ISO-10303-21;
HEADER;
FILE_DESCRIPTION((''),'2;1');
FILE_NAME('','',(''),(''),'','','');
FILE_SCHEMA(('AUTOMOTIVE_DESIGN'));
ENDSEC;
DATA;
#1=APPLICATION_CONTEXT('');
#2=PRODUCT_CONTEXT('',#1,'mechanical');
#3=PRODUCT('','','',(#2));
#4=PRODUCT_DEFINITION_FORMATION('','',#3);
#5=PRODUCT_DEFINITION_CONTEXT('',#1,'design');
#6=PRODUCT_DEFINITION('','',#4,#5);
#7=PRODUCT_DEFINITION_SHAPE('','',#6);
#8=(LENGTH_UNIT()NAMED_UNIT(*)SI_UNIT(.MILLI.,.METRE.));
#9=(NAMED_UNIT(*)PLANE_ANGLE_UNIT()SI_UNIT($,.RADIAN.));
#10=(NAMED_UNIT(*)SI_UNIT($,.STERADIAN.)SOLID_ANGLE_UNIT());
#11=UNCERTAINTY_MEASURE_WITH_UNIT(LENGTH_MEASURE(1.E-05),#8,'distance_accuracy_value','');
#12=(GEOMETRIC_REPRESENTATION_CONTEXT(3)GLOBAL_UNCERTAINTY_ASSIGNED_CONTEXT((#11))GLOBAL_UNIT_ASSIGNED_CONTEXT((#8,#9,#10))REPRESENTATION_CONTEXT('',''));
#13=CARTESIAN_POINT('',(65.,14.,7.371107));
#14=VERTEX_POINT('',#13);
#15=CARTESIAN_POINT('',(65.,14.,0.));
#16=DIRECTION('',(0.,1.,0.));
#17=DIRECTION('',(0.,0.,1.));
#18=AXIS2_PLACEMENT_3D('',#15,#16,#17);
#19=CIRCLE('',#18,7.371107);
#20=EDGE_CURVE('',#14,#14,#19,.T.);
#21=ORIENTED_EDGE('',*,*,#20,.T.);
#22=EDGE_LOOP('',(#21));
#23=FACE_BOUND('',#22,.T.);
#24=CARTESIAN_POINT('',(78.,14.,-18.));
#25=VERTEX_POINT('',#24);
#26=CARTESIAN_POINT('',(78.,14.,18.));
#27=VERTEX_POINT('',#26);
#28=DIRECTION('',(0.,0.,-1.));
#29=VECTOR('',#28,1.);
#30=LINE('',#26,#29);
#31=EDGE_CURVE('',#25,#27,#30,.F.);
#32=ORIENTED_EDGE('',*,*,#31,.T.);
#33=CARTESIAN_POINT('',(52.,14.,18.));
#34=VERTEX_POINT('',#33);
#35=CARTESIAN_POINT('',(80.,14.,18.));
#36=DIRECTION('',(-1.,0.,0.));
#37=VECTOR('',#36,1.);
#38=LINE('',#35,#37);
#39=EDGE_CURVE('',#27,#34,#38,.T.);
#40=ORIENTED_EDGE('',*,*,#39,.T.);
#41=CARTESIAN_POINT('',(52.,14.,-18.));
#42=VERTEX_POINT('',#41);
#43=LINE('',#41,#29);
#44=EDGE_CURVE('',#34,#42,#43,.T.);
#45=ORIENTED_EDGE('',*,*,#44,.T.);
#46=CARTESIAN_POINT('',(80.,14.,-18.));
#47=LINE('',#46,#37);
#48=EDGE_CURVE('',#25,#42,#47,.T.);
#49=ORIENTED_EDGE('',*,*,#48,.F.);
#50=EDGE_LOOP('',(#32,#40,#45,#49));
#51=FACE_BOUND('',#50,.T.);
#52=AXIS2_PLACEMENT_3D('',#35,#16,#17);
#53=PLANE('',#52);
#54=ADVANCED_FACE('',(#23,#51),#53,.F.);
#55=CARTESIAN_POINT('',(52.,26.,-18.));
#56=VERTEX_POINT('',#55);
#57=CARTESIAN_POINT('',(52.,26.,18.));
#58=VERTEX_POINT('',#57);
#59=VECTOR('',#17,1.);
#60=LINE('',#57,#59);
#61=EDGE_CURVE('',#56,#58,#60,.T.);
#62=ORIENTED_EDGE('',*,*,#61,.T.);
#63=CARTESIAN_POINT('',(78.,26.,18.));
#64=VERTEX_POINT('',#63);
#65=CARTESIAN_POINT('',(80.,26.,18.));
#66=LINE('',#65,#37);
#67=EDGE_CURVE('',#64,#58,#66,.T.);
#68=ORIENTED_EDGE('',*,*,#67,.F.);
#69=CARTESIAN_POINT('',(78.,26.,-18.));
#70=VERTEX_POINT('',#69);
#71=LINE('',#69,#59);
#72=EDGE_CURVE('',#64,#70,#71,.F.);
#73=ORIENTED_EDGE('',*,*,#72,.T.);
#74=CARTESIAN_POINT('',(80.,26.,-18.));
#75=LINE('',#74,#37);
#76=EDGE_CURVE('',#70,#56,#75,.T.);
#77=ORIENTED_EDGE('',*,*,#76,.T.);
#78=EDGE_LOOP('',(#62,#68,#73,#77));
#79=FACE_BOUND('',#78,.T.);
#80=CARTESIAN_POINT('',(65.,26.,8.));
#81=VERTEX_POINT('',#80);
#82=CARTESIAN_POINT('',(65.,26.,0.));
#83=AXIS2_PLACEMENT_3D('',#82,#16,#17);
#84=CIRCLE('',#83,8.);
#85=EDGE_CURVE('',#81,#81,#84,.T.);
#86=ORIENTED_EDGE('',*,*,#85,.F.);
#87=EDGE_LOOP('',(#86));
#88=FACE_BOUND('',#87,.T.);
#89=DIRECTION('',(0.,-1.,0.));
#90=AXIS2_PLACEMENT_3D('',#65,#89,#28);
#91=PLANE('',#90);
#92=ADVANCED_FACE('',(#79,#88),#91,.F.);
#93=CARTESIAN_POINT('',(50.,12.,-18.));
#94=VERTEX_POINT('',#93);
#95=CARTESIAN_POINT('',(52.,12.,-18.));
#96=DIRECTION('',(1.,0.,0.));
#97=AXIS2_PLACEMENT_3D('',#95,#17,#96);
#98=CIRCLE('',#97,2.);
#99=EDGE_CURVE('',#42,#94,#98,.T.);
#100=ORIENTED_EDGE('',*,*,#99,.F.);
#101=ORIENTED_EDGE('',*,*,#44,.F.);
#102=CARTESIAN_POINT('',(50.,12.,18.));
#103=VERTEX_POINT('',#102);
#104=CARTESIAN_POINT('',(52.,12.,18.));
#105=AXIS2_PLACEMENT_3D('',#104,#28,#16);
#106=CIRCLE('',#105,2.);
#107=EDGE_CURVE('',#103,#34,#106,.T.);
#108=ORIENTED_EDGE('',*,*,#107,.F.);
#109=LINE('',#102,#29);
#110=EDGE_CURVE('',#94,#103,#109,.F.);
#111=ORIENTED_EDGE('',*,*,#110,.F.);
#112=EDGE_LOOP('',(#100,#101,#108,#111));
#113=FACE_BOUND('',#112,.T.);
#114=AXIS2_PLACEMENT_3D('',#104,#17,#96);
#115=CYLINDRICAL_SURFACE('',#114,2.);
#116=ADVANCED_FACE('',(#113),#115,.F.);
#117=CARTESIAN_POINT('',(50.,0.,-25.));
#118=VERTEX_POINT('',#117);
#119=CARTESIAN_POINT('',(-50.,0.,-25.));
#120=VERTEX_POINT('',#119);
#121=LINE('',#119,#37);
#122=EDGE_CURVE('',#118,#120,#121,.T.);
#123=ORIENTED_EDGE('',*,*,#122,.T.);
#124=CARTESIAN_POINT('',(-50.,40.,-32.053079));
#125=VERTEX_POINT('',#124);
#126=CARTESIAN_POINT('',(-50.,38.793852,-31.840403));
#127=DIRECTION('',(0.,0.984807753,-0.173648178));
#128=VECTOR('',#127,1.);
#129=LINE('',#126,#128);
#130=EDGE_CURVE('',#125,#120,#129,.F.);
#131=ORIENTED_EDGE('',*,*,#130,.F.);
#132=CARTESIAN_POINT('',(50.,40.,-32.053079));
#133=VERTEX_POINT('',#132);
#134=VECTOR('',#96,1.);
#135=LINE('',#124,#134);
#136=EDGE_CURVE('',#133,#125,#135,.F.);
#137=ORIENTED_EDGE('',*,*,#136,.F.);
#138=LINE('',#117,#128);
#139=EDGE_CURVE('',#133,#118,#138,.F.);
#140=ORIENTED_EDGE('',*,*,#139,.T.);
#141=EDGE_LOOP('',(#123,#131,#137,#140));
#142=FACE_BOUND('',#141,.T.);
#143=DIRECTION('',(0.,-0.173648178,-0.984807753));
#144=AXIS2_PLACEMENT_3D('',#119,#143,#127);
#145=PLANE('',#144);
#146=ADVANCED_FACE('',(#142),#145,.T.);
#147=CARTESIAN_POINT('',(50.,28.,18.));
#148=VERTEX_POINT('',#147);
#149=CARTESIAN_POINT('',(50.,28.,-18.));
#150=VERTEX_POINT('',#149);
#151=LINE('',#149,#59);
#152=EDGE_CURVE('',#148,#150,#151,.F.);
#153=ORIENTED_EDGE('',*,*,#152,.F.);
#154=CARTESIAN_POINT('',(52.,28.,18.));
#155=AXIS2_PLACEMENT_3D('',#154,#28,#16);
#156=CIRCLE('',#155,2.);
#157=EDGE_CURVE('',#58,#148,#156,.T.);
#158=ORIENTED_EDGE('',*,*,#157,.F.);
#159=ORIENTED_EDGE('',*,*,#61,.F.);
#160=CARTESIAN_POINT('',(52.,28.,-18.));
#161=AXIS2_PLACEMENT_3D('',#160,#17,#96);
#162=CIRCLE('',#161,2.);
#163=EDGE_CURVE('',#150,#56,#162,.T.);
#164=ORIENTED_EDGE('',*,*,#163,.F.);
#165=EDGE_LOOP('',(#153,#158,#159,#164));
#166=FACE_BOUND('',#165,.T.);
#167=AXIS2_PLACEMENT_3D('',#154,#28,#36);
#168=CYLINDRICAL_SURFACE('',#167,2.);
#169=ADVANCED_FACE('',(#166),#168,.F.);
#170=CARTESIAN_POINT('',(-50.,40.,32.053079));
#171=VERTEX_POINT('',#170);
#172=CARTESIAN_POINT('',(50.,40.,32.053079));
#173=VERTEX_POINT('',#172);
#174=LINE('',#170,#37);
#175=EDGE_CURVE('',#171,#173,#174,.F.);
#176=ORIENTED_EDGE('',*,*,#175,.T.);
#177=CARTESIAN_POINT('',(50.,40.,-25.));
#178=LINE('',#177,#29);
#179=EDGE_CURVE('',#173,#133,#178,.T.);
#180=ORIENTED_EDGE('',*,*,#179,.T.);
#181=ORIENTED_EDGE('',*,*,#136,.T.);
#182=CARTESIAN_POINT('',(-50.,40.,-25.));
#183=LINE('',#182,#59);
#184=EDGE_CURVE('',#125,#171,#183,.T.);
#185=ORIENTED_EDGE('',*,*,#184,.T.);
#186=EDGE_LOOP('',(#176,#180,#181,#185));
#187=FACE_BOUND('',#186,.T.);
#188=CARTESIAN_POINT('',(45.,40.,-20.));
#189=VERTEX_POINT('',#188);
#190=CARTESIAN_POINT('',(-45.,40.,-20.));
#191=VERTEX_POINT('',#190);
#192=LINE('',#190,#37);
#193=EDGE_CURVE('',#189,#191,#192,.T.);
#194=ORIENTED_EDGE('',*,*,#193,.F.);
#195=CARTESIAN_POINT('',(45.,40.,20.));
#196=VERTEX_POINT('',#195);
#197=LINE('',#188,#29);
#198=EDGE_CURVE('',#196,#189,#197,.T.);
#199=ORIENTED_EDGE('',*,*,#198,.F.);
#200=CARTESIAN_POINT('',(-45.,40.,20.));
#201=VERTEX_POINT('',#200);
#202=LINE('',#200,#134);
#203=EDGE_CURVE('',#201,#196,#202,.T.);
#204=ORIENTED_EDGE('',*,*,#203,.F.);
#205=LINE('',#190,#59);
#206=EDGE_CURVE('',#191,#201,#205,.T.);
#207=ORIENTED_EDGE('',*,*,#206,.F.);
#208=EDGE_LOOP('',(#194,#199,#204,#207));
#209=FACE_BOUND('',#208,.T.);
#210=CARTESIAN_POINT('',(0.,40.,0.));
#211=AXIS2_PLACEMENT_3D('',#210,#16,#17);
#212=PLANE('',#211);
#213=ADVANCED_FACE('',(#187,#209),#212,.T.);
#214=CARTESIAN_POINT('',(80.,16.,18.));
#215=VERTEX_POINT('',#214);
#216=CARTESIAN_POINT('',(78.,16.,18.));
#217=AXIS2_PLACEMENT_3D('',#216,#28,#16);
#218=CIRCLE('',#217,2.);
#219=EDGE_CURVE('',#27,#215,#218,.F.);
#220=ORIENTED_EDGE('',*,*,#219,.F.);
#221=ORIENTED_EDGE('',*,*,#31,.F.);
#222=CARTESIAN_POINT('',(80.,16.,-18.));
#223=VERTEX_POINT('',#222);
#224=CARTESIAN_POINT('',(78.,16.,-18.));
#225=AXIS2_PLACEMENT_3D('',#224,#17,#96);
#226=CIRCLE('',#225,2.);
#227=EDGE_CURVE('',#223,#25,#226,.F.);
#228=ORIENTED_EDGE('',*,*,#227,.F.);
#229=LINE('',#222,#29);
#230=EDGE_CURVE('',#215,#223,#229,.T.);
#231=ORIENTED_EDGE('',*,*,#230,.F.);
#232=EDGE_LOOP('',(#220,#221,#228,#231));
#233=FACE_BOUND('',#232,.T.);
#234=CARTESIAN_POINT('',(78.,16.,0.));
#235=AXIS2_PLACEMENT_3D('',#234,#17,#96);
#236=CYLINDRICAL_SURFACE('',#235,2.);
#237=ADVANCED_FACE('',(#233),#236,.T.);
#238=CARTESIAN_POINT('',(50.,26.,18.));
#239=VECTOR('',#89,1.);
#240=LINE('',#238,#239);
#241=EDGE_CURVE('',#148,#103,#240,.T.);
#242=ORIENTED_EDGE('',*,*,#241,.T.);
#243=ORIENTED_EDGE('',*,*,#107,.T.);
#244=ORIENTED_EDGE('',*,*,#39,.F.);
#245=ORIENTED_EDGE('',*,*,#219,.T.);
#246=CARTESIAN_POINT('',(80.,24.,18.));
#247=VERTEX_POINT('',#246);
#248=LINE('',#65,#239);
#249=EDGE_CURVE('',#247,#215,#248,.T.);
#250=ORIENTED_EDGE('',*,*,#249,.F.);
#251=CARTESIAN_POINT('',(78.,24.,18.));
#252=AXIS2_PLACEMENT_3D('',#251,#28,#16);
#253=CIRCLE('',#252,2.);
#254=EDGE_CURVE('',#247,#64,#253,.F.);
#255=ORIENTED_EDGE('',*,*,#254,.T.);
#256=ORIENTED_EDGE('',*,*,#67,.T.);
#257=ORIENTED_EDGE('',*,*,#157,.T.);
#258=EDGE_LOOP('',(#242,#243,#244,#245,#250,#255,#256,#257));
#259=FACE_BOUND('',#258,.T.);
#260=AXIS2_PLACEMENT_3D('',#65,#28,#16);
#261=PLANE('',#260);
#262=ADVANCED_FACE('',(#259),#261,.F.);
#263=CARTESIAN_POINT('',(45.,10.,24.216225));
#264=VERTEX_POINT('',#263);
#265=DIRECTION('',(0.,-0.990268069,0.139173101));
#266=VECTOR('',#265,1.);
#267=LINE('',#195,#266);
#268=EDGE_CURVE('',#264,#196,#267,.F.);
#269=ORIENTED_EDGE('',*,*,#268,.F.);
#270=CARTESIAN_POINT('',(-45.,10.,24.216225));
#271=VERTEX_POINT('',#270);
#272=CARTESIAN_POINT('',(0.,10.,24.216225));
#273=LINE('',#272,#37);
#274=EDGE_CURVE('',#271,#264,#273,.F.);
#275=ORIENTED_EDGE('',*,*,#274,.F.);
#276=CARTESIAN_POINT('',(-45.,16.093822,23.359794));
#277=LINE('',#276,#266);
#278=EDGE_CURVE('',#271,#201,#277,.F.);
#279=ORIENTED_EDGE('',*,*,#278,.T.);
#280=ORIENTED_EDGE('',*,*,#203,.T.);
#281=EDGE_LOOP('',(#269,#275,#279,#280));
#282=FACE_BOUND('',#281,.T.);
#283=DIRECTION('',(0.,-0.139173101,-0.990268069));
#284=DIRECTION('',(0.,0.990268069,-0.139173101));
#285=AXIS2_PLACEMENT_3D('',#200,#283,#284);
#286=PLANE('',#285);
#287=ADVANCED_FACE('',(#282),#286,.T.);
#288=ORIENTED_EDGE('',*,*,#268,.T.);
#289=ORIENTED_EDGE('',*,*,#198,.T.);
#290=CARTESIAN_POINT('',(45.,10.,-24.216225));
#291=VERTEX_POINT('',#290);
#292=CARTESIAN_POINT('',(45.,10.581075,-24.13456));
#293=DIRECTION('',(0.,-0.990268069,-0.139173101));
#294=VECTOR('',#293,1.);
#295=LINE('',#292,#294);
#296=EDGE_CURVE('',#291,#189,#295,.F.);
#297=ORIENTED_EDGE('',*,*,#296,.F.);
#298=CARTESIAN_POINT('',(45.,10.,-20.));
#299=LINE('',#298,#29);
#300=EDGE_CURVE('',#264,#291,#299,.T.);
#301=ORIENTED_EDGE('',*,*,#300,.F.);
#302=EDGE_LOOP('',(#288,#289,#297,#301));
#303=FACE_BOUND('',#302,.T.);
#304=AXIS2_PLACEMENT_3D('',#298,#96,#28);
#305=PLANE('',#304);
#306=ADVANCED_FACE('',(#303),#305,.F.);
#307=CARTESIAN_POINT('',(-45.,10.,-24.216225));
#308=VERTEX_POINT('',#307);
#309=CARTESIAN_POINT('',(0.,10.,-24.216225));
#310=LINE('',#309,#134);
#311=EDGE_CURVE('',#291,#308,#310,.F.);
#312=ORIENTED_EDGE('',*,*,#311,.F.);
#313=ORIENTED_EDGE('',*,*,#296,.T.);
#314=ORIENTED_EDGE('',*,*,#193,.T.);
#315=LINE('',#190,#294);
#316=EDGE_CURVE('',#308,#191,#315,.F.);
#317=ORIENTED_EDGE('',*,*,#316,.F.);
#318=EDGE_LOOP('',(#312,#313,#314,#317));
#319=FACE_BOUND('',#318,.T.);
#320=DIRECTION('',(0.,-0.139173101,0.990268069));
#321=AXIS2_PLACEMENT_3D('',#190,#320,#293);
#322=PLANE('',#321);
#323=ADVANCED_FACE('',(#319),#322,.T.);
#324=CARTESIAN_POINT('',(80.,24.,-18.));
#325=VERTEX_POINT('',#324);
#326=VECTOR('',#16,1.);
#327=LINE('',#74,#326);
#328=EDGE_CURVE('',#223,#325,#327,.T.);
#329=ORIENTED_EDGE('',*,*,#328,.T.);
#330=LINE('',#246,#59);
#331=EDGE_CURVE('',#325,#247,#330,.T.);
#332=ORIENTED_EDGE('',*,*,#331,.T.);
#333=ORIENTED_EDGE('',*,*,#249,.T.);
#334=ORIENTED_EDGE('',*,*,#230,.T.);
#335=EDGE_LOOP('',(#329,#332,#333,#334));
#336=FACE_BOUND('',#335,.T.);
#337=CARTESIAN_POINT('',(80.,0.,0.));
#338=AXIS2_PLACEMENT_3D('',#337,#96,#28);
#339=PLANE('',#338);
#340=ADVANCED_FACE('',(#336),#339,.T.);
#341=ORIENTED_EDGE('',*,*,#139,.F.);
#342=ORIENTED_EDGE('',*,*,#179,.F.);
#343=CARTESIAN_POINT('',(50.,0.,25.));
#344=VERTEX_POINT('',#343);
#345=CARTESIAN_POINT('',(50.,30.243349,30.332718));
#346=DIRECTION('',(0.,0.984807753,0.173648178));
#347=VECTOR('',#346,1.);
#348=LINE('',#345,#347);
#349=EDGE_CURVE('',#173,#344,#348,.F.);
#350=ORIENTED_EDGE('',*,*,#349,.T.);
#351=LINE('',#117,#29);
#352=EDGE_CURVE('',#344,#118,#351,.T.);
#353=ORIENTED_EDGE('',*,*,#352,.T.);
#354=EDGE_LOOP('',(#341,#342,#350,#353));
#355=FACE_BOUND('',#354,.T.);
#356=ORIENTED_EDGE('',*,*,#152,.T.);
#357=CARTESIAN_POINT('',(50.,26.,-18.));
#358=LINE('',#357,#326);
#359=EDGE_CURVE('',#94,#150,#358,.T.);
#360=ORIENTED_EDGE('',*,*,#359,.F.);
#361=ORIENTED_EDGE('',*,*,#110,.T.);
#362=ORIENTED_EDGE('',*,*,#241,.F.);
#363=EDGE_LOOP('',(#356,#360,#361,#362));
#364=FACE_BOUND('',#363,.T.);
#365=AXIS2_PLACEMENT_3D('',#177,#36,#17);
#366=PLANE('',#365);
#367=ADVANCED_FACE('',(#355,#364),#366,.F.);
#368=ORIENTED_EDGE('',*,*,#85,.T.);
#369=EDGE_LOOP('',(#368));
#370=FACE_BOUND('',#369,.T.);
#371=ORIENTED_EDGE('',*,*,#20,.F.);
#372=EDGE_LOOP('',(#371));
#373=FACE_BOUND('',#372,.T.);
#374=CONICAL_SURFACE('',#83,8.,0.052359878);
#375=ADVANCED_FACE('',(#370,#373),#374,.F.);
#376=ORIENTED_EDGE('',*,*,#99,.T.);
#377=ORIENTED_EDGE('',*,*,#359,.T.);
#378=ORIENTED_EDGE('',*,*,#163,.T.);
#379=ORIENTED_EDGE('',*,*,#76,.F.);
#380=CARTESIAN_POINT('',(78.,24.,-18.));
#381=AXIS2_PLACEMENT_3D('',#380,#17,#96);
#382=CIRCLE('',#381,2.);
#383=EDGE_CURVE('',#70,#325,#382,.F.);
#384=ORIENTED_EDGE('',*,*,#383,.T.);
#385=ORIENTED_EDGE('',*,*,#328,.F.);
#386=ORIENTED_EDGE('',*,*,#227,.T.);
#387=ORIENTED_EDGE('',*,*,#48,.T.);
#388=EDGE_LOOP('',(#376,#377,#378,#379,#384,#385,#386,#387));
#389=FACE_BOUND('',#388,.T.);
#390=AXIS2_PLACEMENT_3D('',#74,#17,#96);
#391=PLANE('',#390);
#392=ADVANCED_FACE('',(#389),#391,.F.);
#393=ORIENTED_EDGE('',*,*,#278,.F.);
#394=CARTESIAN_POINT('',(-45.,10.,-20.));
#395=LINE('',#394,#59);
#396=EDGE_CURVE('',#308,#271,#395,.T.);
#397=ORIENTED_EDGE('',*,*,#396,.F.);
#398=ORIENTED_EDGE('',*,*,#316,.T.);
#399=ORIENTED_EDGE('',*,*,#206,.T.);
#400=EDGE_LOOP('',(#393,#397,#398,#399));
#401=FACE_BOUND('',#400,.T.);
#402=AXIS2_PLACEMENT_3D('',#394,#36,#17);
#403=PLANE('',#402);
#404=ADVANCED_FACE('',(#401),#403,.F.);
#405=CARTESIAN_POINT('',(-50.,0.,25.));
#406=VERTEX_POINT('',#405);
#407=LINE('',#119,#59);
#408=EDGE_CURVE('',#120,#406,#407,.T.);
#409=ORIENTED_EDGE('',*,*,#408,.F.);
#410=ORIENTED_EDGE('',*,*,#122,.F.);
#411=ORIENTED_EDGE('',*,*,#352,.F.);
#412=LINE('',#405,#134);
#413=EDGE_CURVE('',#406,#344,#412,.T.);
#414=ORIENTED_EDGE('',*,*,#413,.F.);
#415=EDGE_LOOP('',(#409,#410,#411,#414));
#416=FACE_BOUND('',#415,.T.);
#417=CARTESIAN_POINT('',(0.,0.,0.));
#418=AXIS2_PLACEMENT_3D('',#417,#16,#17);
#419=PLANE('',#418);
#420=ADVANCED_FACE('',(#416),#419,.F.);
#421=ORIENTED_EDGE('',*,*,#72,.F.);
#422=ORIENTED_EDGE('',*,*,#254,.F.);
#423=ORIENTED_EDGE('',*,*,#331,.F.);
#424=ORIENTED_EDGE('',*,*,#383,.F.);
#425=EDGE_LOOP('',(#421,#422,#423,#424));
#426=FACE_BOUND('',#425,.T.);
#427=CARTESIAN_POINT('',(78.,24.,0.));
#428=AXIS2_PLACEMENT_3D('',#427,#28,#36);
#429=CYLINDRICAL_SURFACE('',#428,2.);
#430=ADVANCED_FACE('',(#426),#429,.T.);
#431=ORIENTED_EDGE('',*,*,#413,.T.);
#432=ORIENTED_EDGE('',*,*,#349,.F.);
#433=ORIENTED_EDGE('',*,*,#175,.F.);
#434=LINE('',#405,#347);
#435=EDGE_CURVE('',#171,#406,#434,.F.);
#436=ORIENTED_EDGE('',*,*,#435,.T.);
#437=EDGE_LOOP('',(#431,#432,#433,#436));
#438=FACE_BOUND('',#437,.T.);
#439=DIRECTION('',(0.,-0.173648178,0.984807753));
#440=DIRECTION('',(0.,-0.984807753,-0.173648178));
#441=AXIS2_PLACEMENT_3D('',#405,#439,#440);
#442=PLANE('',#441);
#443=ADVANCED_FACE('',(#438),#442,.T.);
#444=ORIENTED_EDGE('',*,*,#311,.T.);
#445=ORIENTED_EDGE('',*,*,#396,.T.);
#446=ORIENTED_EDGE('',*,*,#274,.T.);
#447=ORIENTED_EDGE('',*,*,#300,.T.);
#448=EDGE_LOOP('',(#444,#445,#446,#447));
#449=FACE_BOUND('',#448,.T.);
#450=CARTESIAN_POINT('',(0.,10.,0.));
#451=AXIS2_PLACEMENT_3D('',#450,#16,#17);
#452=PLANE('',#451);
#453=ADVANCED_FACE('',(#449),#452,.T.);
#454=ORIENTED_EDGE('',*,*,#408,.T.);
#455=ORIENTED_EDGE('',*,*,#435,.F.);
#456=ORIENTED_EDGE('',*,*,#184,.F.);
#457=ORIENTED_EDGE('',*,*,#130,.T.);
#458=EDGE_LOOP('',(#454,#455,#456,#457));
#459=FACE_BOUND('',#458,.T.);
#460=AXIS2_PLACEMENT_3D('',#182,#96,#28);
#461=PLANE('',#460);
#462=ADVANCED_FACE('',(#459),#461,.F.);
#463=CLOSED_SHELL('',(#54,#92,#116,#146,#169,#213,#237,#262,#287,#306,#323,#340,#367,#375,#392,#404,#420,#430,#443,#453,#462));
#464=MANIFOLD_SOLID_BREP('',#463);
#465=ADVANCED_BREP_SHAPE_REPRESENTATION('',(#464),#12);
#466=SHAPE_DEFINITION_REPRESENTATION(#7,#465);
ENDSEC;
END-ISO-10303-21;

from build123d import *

# Parameters (mm, degrees)
SKETCH1_W           = 100
SKETCH1_H           = 50
BOSS_EXTRUDE1_DEPTH = 40
SKETCH2_W           = 90
SKETCH2_H           = 40
CUT_EXTRUDE1_DEPTH  = 30
SKETCH3_W           = 36
SKETCH3_H           = 12
BOSS_EXTRUDE2_DEPTH = 30
FILLET1_R           = 2
DRAFT2_ANGLE        = 10
DRAFT5_ANGLE        = -8
SKETCH4_R           = 8
CUT_EXTRUDE2_DEPTH  = 27
CUT_EXTRUDE2_TAPER  = 3


with BuildPart() as part:
    # Sketch1 → Boss-Extrude1 (new body)
    with BuildSketch(Plane(origin=(0, 0, 0), x_dir=(1, 0, 0), z_dir=(0, 1, 0))):
        Rectangle(SKETCH1_W, SKETCH1_H)
    extrude(amount=BOSS_EXTRUDE1_DEPTH)

    # Sketch2 → Cut-Extrude1 (cut)
    with BuildSketch(Plane(origin=(0, 40, 0), x_dir=(1, 0, 0), z_dir=(0, 1, 0))):
        Rectangle(SKETCH2_W, SKETCH2_H)
    extrude(amount=-CUT_EXTRUDE1_DEPTH, mode=Mode.SUBTRACT)

    # Sketch3 → Boss-Extrude2 (add)
    with BuildSketch(Plane(origin=(50, 0, 0), x_dir=(0, 0, -1), z_dir=(1, 0, 0))):
        with Locations((0, 20)):
            Rectangle(SKETCH3_W, SKETCH3_H)
    extrude(amount=BOSS_EXTRUDE2_DEPTH)

    # Fillet1
    fillet1_edges = [part.edges().sort_by_distance(p)[0] for p in [
        (50, 26, 0),
        (50, 14, 0),
        (80, 26, 0),
        (80, 14, 0),
    ]]
    fillet(fillet1_edges, radius=FILLET1_R)

    # Draft2
    draft2_faces = [part.faces().sort_by_distance(p)[0] for p in [
        (0, 20, -25),
        (0, 20, 25),
    ]]
    draft(draft2_faces, Plane(origin=(0, 0, 0), x_dir=(0, 0, -1), z_dir=(0, -1, 0)), DRAFT2_ANGLE)

    # Draft5
    draft5_faces = [part.faces().sort_by_distance(p)[0] for p in [
        (0, 25, 20),
        (0, 25, -20),
    ]]
    draft(draft5_faces, Plane.ZX.offset(40), DRAFT5_ANGLE)

    # Sketch4 → Cut-Extrude2 (cut, through all)
    with BuildSketch(Plane(origin=(0, 26, 0), x_dir=(1, 0, 0), z_dir=(0, 1, 0))):
        with Locations((65, 0)):
            Circle(SKETCH4_R)
    extrude(amount=-CUT_EXTRUDE2_DEPTH, taper=CUT_EXTRUDE2_TAPER, mode=Mode.SUBTRACT)


solid = part.part
